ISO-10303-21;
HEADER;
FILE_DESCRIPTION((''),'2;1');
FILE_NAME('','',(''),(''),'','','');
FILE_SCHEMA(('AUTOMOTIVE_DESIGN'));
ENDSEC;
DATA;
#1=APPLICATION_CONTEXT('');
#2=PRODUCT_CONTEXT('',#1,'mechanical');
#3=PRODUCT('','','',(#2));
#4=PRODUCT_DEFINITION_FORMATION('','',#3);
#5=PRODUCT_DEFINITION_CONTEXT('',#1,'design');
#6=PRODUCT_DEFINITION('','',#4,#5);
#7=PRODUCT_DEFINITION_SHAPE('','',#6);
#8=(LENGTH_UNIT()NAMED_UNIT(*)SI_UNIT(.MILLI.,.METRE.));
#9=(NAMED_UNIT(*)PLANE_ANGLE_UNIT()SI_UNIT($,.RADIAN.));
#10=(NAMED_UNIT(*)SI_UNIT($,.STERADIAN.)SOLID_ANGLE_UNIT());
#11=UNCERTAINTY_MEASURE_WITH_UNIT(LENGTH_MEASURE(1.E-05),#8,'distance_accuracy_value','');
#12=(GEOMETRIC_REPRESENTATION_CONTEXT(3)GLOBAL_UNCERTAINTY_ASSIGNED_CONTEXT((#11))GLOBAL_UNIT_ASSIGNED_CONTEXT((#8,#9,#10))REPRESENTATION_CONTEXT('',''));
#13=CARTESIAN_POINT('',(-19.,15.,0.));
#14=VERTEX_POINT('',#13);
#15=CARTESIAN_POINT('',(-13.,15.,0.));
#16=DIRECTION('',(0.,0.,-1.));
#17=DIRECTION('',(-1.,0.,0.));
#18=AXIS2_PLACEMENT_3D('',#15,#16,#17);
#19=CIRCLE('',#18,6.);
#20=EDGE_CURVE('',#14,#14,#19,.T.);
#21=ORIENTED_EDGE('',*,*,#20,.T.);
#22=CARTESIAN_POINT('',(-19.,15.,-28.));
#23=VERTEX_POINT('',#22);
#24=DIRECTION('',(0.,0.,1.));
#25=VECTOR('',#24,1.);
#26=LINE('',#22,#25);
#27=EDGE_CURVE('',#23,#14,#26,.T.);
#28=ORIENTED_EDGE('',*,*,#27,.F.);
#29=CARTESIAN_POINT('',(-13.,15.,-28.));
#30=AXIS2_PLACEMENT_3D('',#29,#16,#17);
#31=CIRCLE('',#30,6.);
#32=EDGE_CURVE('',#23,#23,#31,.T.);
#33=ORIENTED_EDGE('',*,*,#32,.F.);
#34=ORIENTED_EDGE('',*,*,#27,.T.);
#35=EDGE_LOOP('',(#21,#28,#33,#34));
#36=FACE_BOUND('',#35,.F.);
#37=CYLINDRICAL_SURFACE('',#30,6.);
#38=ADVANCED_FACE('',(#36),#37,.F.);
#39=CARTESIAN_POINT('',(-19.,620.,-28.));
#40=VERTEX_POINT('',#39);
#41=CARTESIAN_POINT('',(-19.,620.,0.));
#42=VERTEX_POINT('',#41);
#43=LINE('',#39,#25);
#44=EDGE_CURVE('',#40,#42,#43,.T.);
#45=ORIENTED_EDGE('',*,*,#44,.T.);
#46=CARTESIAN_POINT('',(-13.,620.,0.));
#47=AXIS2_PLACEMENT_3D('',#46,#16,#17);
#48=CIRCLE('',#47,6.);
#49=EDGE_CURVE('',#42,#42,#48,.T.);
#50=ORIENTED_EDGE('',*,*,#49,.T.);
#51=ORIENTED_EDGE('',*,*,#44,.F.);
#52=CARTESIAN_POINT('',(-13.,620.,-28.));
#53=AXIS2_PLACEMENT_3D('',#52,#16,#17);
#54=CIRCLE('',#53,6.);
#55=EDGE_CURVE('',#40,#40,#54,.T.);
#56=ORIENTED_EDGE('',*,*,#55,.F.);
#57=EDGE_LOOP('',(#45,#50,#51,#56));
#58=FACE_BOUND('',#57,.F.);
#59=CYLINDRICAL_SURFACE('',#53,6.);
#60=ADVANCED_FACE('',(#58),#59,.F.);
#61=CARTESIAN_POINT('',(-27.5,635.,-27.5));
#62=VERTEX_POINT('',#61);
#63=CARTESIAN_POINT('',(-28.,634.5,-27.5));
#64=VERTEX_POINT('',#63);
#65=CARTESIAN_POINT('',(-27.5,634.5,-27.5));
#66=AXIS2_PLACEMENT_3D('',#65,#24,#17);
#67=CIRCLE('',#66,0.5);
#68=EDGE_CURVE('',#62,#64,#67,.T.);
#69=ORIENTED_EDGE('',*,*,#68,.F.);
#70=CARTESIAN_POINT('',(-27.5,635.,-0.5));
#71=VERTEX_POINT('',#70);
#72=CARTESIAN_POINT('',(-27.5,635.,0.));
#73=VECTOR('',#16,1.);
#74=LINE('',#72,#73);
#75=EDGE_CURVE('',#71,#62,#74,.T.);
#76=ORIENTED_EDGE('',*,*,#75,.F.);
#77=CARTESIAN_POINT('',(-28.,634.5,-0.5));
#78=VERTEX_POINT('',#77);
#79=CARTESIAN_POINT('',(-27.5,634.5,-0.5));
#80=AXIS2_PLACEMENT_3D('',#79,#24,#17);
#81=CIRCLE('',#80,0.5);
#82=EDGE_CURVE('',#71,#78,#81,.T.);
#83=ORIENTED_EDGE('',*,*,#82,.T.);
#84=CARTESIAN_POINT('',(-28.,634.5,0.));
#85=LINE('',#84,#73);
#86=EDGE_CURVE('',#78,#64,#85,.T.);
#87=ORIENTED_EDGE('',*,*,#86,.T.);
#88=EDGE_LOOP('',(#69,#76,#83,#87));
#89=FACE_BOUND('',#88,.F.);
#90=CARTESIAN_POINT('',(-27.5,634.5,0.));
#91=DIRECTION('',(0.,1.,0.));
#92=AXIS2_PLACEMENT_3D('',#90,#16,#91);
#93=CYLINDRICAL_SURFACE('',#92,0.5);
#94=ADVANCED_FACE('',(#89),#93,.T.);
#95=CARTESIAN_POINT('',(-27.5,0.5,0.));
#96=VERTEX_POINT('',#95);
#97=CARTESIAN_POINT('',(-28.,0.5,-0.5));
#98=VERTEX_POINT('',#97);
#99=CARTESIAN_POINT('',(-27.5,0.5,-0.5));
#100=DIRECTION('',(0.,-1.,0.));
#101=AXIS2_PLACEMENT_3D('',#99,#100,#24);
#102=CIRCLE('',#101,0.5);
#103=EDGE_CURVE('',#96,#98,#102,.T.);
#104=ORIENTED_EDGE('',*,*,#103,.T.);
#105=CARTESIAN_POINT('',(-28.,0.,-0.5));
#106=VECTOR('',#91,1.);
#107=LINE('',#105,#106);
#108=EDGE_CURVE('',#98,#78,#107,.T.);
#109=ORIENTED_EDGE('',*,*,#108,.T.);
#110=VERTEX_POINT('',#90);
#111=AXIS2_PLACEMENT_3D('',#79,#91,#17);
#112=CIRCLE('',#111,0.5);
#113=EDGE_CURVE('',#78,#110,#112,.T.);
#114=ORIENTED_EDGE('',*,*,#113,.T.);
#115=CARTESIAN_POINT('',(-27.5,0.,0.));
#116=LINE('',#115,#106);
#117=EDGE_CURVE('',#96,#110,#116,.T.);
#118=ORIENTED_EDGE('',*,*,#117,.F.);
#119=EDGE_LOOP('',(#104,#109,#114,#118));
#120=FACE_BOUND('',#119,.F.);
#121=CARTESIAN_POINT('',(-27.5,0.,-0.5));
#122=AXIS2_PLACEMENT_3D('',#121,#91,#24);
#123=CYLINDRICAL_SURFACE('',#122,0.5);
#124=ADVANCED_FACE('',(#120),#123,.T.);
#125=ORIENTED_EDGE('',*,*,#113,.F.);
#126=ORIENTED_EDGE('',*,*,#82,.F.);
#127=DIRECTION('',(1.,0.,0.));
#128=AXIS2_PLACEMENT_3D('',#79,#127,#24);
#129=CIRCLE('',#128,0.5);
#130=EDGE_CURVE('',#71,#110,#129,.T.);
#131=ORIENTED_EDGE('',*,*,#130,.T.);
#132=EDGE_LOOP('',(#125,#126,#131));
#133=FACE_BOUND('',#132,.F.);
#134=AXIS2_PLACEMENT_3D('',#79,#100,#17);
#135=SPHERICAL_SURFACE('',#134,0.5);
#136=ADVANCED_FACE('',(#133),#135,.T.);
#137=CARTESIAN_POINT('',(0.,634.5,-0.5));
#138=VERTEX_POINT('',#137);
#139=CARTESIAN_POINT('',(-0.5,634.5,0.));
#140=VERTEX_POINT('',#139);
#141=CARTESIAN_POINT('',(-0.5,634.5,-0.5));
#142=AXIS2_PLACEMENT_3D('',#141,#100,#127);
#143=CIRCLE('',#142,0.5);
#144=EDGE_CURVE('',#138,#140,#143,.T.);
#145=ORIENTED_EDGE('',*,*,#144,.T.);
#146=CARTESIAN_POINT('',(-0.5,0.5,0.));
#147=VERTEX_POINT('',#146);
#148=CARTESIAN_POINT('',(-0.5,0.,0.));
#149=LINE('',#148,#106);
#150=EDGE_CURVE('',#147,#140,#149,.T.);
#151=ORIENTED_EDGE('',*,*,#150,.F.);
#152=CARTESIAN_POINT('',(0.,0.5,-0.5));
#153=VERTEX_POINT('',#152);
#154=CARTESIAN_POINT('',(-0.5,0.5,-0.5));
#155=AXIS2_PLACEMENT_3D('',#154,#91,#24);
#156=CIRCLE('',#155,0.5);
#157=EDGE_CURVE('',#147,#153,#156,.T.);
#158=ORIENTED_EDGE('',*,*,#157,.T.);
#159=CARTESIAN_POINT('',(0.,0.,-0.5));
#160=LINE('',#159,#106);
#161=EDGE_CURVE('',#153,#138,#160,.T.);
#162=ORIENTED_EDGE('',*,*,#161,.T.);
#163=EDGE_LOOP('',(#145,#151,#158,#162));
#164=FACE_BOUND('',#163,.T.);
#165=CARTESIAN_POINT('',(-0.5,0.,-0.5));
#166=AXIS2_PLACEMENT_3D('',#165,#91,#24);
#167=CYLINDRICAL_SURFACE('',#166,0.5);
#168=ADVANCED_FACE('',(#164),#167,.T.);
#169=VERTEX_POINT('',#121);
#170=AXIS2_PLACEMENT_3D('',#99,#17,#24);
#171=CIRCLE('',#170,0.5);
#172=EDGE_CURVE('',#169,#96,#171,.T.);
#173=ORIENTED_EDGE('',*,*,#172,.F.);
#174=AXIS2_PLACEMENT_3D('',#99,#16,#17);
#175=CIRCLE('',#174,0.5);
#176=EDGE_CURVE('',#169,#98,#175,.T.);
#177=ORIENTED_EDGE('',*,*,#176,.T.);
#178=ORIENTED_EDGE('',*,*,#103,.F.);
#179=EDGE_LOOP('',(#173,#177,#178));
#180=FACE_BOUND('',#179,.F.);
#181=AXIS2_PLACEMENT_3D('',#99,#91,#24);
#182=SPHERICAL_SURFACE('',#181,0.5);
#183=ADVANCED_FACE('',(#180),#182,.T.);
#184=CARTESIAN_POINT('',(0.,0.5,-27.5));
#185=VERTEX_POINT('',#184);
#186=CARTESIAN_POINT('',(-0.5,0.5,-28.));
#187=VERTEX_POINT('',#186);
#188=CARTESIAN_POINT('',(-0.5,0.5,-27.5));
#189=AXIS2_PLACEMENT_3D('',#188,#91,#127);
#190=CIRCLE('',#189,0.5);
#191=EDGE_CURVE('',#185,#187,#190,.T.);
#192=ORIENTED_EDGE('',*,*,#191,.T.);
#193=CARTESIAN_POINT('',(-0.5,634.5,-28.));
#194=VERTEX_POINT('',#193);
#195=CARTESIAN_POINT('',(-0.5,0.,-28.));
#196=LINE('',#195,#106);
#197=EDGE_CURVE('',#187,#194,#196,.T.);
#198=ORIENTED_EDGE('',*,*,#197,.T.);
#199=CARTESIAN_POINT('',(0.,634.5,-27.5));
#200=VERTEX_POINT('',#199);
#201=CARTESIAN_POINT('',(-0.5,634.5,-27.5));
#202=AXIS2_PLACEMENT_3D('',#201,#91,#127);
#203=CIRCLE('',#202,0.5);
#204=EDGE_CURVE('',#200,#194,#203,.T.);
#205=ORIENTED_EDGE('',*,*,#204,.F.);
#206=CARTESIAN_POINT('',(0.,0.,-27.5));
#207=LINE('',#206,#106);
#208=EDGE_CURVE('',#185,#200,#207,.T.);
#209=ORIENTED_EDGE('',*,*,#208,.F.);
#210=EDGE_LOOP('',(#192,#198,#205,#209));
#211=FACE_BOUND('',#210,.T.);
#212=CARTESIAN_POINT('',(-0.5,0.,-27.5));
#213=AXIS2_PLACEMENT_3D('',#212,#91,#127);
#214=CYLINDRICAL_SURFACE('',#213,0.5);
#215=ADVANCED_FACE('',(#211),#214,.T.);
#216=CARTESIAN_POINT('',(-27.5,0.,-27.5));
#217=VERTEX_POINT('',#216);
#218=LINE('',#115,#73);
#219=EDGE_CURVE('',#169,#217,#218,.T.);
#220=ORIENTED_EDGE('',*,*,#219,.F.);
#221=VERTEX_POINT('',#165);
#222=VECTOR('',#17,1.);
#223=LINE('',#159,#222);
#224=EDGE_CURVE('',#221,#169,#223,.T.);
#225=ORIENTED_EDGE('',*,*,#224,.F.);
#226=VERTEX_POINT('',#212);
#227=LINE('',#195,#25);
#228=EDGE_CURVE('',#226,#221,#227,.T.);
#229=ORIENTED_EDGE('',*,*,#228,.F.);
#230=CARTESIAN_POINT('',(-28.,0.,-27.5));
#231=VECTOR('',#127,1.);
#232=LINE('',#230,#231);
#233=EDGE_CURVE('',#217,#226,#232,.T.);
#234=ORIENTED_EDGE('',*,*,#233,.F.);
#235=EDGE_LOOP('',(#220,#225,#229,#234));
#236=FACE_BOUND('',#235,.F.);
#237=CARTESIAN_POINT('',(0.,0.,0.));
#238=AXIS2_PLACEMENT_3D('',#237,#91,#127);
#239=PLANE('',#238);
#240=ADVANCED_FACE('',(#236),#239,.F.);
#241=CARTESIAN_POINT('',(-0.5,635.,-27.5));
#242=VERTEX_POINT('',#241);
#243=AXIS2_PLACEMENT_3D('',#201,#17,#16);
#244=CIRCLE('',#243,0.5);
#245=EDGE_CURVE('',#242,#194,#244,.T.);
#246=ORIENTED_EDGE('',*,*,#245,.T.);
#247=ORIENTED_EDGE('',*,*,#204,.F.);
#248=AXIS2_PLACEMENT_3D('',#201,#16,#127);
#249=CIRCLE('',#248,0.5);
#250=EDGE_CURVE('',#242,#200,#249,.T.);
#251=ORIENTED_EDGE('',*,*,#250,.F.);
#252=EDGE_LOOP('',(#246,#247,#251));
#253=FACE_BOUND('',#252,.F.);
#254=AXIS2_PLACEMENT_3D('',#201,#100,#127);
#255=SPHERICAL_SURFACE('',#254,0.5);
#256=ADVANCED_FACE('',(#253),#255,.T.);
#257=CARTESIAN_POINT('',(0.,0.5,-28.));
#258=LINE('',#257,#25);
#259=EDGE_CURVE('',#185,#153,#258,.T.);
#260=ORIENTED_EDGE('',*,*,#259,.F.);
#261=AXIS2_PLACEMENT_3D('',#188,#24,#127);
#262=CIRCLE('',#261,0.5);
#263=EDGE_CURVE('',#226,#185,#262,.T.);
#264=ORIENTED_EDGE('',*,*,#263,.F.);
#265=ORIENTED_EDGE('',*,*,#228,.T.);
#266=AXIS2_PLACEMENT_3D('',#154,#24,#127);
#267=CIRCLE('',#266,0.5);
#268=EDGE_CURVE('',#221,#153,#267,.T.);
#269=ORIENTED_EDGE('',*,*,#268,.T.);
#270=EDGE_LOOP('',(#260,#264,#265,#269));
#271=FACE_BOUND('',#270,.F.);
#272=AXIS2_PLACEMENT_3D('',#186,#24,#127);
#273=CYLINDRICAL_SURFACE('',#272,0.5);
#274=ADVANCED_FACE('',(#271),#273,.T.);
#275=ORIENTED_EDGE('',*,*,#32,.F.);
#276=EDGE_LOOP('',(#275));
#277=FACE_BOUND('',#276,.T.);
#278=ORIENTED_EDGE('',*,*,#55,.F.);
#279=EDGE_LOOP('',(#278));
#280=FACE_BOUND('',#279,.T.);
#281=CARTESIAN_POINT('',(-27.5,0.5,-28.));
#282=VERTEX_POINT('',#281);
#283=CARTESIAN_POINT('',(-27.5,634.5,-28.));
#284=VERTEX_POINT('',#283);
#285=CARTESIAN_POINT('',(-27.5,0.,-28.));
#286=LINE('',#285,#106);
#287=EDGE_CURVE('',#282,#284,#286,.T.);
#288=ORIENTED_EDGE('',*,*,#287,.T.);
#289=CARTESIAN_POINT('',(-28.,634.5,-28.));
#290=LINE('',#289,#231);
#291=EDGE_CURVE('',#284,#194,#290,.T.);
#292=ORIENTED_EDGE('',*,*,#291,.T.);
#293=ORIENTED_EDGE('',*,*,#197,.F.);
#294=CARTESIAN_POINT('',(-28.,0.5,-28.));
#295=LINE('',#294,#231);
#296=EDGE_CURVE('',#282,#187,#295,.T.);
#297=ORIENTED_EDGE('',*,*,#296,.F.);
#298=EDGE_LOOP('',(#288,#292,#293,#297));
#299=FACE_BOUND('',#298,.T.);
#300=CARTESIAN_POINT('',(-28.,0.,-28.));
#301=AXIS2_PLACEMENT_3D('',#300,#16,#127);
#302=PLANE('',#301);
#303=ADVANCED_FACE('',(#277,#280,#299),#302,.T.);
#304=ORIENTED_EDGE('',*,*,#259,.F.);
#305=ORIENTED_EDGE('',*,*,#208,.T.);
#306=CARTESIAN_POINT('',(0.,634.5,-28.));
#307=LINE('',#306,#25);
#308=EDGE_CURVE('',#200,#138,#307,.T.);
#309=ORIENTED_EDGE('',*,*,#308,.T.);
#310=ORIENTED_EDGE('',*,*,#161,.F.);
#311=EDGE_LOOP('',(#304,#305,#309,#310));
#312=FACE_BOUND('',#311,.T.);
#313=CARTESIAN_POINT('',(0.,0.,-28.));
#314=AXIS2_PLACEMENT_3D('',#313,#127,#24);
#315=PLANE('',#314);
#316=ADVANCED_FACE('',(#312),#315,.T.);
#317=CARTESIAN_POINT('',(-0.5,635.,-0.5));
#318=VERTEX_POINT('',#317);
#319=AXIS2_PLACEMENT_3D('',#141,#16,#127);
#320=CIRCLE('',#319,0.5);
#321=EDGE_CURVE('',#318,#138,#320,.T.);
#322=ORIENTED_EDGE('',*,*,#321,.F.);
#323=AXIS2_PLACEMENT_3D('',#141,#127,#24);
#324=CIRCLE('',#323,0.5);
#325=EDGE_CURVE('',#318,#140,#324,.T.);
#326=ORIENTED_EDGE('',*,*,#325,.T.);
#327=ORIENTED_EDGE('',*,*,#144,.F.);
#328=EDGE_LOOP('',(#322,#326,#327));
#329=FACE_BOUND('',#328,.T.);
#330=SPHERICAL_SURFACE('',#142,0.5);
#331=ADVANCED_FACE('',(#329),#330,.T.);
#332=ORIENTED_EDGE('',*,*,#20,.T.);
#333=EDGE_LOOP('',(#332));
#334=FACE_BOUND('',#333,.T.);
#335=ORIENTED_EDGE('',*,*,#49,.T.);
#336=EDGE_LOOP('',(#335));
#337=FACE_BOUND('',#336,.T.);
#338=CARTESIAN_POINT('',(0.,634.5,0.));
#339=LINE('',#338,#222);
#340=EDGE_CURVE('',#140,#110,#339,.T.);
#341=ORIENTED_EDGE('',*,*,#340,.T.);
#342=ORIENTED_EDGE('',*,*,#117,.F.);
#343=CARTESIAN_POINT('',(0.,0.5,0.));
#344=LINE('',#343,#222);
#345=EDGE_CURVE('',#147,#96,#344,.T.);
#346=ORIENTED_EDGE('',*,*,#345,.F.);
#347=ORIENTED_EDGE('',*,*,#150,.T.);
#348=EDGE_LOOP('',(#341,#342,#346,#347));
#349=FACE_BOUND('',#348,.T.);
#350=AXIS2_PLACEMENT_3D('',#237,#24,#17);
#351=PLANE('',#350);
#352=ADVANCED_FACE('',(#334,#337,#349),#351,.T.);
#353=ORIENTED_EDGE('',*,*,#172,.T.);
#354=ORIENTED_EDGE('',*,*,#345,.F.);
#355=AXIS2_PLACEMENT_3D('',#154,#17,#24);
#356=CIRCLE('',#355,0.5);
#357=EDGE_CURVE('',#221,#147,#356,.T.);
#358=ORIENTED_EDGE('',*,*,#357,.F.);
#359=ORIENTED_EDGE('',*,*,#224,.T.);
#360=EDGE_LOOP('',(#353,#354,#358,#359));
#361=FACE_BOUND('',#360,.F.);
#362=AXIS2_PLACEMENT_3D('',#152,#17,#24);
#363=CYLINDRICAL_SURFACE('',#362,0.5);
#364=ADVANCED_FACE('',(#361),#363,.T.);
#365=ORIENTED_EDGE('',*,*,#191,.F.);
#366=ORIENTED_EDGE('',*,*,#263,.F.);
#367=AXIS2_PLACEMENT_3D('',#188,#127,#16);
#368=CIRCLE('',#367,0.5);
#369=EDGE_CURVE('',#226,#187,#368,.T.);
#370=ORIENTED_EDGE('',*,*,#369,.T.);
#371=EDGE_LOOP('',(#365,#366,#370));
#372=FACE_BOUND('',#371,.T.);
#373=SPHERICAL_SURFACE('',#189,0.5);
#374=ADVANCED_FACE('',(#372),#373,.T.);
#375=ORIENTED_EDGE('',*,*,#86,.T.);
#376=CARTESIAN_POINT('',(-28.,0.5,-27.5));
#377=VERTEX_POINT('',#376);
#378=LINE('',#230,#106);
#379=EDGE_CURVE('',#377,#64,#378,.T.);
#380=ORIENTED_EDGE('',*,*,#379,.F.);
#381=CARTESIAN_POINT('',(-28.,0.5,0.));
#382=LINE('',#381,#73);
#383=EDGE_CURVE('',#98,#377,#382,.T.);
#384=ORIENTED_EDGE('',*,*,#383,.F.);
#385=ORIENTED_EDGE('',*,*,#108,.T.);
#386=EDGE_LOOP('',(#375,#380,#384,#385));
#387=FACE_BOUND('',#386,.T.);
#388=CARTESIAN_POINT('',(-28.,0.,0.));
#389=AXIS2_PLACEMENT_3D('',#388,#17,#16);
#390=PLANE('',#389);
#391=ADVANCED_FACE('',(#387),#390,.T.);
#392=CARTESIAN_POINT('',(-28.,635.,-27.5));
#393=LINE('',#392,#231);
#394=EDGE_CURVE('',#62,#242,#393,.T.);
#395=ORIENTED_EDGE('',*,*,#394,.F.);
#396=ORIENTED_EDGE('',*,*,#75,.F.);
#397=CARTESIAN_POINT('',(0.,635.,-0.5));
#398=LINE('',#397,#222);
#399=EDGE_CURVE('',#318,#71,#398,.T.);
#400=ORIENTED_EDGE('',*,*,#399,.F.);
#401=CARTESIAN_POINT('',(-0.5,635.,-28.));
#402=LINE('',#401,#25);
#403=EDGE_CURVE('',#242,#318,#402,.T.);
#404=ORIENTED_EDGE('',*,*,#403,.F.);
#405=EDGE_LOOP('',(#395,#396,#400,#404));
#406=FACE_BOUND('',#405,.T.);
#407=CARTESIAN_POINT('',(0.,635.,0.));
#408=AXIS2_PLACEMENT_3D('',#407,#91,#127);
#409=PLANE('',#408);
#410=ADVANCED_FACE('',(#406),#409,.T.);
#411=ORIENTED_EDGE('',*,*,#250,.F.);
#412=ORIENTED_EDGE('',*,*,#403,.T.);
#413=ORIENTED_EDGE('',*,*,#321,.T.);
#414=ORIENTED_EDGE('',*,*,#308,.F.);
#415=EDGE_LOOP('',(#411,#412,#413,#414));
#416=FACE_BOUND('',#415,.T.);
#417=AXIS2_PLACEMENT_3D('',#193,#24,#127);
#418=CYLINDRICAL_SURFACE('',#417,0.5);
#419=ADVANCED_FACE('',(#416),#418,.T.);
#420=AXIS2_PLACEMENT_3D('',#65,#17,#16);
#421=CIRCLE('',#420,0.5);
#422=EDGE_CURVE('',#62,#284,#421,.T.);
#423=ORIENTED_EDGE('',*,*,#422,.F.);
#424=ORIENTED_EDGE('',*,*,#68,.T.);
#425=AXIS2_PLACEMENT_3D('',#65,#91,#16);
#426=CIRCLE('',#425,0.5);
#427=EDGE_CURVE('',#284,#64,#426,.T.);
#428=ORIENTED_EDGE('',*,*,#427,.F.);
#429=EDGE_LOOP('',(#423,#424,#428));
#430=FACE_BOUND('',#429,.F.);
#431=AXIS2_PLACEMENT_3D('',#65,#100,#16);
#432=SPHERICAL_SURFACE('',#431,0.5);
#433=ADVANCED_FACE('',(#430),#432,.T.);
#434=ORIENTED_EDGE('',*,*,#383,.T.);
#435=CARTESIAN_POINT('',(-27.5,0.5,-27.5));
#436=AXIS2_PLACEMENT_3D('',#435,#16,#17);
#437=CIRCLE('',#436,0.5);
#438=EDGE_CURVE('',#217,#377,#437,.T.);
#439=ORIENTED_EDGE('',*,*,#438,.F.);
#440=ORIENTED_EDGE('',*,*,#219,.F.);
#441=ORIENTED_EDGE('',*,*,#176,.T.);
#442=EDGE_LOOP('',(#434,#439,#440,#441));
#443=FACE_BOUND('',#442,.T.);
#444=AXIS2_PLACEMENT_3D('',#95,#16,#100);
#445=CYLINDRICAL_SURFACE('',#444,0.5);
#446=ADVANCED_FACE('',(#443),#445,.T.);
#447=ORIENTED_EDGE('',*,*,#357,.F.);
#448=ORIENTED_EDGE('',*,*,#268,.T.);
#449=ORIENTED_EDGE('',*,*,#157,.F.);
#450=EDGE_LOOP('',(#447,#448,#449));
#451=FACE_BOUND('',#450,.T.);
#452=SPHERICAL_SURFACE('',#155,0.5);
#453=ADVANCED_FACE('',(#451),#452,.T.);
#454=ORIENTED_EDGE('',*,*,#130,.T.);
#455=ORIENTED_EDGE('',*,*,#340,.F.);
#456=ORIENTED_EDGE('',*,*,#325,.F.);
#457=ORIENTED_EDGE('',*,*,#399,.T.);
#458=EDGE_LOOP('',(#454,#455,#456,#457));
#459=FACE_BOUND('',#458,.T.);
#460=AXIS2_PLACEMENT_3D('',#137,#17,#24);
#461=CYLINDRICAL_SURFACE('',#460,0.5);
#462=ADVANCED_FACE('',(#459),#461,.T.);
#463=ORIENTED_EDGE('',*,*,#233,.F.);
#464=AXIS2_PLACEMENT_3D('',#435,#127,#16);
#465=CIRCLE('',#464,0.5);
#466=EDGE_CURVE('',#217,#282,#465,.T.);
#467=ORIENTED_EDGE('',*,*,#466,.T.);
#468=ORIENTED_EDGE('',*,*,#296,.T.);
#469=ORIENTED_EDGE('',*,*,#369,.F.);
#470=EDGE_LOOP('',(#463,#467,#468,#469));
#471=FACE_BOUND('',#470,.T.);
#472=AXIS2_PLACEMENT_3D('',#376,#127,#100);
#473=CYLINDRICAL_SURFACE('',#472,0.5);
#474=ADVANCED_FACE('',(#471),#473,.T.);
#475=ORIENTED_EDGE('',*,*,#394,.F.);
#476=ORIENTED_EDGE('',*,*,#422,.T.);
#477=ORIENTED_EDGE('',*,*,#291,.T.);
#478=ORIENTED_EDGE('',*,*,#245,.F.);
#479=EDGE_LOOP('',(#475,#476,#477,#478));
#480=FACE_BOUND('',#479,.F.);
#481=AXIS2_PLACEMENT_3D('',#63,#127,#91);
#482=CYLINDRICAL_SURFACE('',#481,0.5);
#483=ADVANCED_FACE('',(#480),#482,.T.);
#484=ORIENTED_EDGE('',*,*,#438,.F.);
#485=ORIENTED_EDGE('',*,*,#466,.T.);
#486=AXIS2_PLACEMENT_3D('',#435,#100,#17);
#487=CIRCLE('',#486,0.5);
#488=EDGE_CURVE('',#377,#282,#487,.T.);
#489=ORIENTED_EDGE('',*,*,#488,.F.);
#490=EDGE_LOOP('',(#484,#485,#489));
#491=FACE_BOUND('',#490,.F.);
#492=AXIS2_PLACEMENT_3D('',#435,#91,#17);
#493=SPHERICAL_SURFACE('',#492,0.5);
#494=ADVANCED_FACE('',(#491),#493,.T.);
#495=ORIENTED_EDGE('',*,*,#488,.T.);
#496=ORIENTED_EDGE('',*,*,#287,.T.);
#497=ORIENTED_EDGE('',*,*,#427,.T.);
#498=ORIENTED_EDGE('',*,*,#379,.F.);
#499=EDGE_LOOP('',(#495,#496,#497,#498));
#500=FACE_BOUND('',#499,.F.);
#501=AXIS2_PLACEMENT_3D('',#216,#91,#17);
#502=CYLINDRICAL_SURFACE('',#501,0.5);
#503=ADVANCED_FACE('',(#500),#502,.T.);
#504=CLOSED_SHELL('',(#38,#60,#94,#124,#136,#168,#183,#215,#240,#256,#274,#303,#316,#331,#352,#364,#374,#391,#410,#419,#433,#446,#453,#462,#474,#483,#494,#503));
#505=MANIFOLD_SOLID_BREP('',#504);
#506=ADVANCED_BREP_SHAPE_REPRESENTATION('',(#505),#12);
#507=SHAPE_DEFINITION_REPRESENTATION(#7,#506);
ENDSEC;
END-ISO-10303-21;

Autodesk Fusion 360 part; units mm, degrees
sketch "Sketch2" plane through (0, 0, 0) normal (0, 1, 0) x (1, 0, 0)
  line L0 (0, 0) -> (-28, 0)
  line L1 (-28, 0) -> (-28, 28)
  line L2 (-28, 28) -> (0, 28)
  line L3 (0, 28) -> (0, 0)
  dimension "d1" = 28
  dimension "d2" = 28
extrude "Extrude1" add sketch "Sketch2" along normal blind 635
sketch "Sketch3" plane through (0, 0, -28) normal (0, 0, -1) x (-1, 0, 0)
  line L0 (0, 0) -> (28, 0)
  line L1 (28, 0) -> (28, 635)
  line L2 (28, 635) -> (0, 635)
  line L3 (0, 635) -> (0, 0)
  circle A0 centre (13, 620) radius 6
  line L4 (28, 317.5) -> (0, 317.5) construction
  circle A1 centre (13, 15) radius 6
  dimension "d5" = 12
  dimension "d6" = 15
  dimension "d7" = 15
extrude "Extrude2" cut sketch "Sketch3" against normal through all contours A0 | A1
fillet "Fillet1" radius 0.5 12 edges at (-28, 317.5, 0) (0, 317.5, 0) (-28, 317.5, -28) (0, 317.5, -28) (0, 635, -14) (-14, 635, -28) (-28, 635, -14) (-14, 635, 0) (-14, 0, 0) (-28, 0, -14) (0, 0, -14) (-14, 0, -28)
equation "d7 = d6"
